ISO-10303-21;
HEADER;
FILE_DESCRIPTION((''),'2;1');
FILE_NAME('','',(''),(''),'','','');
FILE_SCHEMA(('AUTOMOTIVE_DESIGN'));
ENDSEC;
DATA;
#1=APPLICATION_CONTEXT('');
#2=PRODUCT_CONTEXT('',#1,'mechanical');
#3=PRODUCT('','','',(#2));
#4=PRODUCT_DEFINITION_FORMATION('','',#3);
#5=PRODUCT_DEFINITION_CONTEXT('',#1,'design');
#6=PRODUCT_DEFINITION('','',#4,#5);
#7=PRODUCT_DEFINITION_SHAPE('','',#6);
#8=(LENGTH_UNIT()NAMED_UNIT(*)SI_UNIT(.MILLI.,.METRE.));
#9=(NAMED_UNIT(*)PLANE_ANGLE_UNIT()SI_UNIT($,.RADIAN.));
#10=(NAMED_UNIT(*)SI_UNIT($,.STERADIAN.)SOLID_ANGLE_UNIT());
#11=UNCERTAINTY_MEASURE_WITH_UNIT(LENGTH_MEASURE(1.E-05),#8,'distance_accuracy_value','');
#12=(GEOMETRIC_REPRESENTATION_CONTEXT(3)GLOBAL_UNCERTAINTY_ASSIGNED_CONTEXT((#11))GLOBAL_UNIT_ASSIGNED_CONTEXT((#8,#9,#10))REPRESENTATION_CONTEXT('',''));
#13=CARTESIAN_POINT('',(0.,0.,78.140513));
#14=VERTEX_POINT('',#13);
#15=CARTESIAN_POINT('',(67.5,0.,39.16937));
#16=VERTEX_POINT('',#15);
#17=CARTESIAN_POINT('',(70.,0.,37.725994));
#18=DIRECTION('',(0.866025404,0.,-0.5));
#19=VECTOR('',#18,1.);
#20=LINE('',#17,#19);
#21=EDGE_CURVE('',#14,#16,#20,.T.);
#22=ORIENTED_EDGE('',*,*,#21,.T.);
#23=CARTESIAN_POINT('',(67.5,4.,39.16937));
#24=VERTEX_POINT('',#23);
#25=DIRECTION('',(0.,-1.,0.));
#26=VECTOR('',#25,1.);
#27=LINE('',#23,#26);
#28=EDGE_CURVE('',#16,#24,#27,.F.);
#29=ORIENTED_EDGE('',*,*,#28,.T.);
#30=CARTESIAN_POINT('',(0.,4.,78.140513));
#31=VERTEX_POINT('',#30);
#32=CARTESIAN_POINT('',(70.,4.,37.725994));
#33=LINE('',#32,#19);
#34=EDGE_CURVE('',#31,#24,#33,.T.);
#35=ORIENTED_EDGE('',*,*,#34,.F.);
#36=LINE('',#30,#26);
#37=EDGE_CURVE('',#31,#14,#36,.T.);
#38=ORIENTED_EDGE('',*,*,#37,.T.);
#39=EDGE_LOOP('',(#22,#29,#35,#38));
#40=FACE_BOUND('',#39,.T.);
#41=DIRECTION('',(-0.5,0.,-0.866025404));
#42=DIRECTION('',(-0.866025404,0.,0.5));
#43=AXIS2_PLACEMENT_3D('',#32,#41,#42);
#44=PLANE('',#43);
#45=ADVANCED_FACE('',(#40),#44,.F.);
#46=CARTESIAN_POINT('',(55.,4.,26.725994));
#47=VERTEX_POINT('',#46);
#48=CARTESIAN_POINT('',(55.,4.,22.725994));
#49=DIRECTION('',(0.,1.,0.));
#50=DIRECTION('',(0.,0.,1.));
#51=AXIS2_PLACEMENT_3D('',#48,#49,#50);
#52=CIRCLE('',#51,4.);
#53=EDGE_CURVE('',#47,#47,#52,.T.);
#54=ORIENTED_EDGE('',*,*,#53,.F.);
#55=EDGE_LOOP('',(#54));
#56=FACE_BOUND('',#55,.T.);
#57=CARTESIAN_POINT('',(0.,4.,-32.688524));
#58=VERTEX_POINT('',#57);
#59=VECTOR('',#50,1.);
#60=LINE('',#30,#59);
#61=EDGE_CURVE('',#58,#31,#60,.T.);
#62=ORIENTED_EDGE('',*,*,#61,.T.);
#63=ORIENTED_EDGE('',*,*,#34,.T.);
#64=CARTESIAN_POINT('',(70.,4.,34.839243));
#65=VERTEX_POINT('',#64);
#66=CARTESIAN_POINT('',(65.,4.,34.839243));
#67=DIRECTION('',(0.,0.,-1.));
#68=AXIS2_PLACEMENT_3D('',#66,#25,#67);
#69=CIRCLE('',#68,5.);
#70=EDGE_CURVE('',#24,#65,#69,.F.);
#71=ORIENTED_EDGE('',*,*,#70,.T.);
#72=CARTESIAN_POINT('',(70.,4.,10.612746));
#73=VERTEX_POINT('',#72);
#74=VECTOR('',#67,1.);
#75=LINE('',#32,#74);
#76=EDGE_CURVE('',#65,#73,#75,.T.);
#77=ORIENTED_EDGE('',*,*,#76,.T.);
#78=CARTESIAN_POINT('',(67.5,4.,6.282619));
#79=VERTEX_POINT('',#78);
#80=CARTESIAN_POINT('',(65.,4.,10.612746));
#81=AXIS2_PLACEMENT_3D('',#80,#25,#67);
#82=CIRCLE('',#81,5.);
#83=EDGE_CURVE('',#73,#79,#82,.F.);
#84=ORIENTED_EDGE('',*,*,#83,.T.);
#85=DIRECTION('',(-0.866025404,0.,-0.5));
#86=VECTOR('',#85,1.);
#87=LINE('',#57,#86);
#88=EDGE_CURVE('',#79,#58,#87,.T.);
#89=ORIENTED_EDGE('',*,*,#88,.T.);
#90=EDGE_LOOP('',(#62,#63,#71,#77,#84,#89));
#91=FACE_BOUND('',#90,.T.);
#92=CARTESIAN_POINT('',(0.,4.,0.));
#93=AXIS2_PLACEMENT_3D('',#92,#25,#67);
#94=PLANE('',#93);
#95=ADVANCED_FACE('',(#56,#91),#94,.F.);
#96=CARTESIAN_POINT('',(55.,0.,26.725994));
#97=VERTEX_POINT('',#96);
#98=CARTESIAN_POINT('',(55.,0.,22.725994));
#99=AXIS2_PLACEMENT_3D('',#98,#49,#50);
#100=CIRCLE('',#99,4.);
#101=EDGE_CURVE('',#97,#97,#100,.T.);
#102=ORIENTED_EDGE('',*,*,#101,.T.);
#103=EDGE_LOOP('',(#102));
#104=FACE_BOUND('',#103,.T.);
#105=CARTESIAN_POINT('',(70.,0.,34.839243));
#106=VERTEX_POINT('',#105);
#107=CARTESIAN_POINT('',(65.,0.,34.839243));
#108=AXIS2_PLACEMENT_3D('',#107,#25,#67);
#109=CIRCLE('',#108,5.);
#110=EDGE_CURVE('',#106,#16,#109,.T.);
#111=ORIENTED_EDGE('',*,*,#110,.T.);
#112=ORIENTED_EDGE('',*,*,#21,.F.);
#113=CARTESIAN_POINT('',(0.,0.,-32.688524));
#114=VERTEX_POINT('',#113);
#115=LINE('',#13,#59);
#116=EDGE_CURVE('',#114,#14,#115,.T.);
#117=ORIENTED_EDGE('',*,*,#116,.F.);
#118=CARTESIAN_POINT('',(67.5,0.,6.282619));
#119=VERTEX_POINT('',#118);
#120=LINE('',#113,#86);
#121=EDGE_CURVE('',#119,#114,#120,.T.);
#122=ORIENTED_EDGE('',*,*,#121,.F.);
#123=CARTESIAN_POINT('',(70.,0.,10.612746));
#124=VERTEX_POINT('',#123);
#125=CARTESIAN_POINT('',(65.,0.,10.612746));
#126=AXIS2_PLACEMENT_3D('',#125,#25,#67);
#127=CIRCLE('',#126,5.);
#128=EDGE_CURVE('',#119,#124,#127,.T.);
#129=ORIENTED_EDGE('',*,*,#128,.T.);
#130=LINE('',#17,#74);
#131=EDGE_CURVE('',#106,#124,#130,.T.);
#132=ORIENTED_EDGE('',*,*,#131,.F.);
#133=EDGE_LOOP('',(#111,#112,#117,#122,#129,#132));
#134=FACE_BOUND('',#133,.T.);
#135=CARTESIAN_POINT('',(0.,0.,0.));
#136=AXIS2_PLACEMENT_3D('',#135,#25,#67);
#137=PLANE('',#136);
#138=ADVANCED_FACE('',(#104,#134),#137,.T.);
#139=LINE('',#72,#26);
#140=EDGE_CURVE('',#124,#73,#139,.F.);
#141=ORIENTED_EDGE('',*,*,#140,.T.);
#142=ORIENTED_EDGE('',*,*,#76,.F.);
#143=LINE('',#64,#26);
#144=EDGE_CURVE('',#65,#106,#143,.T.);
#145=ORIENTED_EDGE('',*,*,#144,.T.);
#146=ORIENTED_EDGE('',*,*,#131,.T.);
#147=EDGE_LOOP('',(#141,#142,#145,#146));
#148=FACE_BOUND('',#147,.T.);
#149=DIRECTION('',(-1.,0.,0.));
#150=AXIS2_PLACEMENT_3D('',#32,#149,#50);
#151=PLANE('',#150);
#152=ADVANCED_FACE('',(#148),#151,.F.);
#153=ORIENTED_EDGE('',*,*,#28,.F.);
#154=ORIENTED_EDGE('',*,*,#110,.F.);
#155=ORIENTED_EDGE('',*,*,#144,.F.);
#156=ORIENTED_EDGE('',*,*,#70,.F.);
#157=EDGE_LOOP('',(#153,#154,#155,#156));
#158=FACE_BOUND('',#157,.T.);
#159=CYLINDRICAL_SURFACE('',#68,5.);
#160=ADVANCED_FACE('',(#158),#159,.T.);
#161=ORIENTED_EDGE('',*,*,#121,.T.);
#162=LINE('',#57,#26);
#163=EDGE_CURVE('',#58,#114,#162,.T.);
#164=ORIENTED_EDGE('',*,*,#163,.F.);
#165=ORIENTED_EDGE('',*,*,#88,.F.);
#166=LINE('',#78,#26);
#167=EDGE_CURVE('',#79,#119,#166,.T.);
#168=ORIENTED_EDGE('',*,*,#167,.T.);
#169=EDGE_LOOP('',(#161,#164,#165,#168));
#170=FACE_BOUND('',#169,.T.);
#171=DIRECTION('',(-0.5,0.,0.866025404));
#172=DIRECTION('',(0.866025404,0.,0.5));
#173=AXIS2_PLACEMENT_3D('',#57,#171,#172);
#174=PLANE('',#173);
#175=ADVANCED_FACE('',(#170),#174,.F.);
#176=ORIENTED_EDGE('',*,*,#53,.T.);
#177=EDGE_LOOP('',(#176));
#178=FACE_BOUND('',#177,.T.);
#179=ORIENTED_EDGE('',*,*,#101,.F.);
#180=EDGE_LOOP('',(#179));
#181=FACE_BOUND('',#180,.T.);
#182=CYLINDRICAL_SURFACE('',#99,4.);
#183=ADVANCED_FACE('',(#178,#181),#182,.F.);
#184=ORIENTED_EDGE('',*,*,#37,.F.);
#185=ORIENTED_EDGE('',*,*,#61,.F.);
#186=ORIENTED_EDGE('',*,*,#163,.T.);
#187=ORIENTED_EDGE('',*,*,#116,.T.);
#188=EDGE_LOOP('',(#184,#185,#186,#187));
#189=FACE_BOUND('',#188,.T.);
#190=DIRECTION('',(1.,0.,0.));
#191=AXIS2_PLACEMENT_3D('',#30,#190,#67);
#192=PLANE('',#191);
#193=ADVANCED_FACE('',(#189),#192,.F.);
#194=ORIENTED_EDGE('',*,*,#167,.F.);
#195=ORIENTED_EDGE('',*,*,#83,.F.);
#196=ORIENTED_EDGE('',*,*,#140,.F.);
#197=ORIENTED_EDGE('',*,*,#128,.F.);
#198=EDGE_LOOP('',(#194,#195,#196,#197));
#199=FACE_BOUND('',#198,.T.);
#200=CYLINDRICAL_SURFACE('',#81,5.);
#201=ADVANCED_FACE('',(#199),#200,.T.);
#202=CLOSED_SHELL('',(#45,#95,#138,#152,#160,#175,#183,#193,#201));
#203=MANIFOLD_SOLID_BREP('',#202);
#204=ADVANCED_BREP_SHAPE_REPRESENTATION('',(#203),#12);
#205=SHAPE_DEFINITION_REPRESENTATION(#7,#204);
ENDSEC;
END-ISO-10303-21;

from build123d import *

# Parameters (mm, degrees)
BOSS_EXTRUDE1_DEPTH = 4
SKETCH3_R           = 4
CUT_EXTRUDE1_DEPTH  = 105.985426706
FILLET1_R           = 5


with BuildPart() as part:
    # Sketch2 → Boss-Extrude1 (new body)
    with BuildSketch(Plane(origin=(0, 0, 0), x_dir=(1, 0, 0), z_dir=(0, 1, 0))):
        Polygon((70, -37.725994468), (70, -7.725994468), (0, 32.688524375), (0, -78.140513312), align=None)
    extrude(amount=BOSS_EXTRUDE1_DEPTH)

    # Sketch3 → Cut-Extrude1 (cut, through all)
    with BuildSketch(Plane(origin=(0, 4, 0), x_dir=(1, 0, 0), z_dir=(0, 1, 0))):
        with Locations(Location((55, -22.725994468, 0), (0, 0, 270))):
            Circle(SKETCH3_R)
    extrude(amount=-CUT_EXTRUDE1_DEPTH, mode=Mode.SUBTRACT)

    # Fillet1
    fillet1_edges = [part.edges().sort_by_distance(p)[0] for p in [
        (70, 2, 7.725994468),
        (70, 2, 37.725994468),
    ]]
    fillet(fillet1_edges, radius=FILLET1_R)


solid = part.part
